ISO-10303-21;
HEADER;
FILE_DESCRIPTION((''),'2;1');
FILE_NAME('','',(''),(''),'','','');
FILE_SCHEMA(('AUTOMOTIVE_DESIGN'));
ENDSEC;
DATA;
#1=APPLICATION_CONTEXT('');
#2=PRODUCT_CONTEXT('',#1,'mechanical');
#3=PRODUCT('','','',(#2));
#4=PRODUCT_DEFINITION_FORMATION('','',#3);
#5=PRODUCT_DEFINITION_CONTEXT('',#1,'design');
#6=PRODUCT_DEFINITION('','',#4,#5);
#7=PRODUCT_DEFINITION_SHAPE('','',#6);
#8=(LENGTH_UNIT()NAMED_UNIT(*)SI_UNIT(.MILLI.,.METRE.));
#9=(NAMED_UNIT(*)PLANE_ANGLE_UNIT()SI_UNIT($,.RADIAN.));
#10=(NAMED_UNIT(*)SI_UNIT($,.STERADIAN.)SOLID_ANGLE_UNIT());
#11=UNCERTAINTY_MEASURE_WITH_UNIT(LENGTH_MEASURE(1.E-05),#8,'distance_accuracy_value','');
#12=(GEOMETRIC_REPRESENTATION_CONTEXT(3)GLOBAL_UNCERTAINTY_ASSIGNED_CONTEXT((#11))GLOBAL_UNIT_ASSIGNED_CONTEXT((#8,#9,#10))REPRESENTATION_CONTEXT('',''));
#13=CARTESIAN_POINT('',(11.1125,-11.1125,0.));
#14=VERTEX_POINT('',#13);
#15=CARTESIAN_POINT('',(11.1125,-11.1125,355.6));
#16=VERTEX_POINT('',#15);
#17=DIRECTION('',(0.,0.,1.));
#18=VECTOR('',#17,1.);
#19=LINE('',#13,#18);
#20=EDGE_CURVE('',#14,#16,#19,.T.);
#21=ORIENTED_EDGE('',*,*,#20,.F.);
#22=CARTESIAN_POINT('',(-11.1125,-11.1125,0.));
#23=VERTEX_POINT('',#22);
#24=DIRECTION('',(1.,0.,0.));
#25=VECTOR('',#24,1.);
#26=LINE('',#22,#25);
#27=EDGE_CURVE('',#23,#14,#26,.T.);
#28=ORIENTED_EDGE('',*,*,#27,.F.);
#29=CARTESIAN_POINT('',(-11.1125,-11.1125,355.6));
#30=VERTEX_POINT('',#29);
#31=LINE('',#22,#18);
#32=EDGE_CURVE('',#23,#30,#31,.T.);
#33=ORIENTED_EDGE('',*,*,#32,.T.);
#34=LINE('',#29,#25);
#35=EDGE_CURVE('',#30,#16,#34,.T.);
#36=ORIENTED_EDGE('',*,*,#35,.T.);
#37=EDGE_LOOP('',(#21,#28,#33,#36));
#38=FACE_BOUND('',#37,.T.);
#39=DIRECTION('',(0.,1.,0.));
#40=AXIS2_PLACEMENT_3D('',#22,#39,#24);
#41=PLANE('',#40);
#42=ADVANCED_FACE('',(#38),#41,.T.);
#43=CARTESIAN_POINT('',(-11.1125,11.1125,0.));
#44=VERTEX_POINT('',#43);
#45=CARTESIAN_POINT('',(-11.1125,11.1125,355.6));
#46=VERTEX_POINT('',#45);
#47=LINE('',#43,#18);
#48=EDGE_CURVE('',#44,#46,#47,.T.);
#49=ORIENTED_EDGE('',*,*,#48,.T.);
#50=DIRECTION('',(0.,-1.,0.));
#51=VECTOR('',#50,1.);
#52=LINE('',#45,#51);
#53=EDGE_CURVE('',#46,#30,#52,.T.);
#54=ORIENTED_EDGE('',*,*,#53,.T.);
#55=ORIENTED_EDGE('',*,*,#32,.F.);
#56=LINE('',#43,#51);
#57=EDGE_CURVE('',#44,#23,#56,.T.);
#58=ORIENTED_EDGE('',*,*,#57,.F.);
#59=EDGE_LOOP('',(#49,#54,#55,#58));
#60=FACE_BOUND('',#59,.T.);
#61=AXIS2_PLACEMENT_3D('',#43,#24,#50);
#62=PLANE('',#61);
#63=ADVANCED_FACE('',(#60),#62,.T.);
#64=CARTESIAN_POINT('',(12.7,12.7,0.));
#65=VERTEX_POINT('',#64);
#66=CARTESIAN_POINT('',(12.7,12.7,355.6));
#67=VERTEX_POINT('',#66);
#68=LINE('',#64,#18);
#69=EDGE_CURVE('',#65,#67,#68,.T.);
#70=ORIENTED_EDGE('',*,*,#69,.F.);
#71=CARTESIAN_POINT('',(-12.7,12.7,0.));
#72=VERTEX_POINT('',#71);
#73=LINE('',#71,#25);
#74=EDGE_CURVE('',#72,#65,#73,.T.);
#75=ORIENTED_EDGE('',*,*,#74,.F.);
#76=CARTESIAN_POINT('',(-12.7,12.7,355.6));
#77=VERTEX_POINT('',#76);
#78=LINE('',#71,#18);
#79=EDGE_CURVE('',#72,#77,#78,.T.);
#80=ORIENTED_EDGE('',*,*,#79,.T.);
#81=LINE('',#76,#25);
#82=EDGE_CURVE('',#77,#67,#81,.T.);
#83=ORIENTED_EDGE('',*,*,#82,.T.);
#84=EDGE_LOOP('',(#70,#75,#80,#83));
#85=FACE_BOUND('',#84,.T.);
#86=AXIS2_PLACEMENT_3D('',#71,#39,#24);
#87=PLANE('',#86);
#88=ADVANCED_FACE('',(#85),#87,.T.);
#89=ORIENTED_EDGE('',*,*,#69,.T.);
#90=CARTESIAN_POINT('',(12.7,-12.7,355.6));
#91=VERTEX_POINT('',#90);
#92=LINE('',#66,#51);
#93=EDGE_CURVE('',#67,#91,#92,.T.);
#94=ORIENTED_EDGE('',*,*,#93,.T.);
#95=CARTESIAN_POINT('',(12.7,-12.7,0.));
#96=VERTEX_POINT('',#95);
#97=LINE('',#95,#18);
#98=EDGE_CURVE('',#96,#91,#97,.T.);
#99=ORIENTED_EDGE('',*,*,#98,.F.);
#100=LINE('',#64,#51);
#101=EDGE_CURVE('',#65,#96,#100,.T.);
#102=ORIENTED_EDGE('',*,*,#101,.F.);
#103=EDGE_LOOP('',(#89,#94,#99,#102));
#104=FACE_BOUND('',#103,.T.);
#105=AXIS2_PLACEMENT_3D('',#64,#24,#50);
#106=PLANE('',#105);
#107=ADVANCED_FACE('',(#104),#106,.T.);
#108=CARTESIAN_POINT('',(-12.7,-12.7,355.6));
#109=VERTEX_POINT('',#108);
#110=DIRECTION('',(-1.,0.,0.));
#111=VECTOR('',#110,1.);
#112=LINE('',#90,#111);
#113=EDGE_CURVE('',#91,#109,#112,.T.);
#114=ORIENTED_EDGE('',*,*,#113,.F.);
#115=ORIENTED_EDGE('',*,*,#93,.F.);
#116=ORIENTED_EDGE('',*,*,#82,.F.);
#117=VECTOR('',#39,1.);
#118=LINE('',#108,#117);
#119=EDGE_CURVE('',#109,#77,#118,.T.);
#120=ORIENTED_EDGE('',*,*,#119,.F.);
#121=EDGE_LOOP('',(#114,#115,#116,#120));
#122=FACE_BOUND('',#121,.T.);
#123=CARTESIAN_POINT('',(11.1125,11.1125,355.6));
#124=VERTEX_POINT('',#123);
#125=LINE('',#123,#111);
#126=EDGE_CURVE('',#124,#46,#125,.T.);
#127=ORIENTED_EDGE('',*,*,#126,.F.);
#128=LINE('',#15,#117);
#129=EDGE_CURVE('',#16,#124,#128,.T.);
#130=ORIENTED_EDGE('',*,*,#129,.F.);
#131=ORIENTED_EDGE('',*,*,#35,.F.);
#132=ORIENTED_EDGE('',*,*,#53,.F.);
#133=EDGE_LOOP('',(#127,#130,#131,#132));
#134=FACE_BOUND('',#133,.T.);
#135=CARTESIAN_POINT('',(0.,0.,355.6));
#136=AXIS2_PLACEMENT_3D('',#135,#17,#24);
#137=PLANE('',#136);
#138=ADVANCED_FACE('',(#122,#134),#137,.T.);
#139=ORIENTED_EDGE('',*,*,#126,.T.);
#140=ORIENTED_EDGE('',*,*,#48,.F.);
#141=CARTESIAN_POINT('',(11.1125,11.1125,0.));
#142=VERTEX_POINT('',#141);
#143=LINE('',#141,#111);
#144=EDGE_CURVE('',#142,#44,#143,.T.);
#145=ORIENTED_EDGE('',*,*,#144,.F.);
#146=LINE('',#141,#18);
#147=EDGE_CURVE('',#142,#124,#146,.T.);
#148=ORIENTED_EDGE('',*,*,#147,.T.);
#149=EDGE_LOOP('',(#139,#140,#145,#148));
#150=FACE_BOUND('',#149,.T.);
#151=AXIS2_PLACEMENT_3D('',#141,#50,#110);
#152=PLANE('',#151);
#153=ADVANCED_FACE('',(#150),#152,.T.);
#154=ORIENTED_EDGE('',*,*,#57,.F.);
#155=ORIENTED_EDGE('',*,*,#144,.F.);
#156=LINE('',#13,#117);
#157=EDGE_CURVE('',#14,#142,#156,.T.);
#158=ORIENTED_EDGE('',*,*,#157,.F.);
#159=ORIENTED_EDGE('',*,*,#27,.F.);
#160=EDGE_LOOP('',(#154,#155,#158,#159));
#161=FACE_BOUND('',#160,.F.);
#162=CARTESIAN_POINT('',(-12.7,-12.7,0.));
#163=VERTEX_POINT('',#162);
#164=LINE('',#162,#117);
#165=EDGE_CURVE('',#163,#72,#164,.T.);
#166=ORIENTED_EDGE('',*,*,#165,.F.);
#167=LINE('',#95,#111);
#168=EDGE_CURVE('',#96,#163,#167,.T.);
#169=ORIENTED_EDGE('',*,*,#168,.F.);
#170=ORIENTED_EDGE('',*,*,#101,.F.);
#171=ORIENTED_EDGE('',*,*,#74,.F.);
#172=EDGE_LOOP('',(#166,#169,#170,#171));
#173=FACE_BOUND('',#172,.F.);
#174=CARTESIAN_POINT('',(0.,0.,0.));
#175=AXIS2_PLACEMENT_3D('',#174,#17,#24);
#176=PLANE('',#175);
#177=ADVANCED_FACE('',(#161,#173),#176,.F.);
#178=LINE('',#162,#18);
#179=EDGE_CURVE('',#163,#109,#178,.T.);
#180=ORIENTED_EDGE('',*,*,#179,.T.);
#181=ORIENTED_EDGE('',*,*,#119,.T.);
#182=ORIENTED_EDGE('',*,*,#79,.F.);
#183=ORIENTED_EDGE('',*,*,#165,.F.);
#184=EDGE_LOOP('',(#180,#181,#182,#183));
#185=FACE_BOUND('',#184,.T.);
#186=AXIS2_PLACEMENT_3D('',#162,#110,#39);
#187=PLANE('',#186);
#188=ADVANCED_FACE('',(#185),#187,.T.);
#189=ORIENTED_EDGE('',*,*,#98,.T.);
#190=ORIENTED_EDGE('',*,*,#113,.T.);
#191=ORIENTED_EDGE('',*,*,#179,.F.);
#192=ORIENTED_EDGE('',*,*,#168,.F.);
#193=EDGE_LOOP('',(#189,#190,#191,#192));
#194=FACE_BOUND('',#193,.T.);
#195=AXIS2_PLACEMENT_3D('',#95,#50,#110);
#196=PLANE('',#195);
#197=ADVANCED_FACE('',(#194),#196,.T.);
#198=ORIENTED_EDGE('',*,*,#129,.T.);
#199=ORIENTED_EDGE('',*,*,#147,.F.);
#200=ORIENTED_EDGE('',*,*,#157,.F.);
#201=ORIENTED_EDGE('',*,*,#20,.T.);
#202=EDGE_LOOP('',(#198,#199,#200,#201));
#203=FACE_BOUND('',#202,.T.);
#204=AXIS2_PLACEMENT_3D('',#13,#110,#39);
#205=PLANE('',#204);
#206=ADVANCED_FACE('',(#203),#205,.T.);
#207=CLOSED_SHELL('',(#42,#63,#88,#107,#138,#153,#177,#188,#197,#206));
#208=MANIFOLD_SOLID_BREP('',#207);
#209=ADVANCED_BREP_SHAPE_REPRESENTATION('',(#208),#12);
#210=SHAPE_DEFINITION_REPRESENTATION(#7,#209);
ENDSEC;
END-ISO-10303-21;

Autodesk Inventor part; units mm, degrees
ref_plane "YZ Plane" through (0, 0, 0) normal (1, 0, 0) x (0, 1, 0)
ref_plane "XZ Plane" through (0, 0, 0) normal (0, 1, 0) x (-1, 0, 0)
ref_plane "XY Plane" through (0, 0, 0) normal (0, 0, 1) x (1, 0, 0)
sketch "Sketch1" plane through (0, 0, 0) normal (0, 0, 1) x (1, 0, 0)
  line L0 (-12.7, -12.7) -> (-12.7, 12.7)
  line L1 (-12.7, 12.7) -> (12.7, 12.7)
  line L2 (12.7, 12.7) -> (12.7, -12.7)
  line L3 (12.7, -12.7) -> (-12.7, -12.7)
  line L4 (-12.7, -12.7) -> (12.7, 12.7) construction
  line L5 (-12.7, 12.7) -> (12.7, -12.7) construction
  line L6 (11.1125, 11.1125) -> (-11.1125, 11.1125)
  line L7 (-11.1125, 11.1125) -> (-11.1125, -11.1125)
  line L8 (-11.1125, -11.1125) -> (11.1125, -11.1125)
  line L9 (11.1125, -11.1125) -> (11.1125, 11.1125)
  point P0 (0, 0)
  dimension "d0" = 25.4
  dimension "d1" = 25.4
  dimension "d2" = 1.5875
extrude "Extrusion1" add sketch "Sketch1" along normal blind 355.6
equation "\"d1\" = d0"
properties part number "14in long 1in square tube"
